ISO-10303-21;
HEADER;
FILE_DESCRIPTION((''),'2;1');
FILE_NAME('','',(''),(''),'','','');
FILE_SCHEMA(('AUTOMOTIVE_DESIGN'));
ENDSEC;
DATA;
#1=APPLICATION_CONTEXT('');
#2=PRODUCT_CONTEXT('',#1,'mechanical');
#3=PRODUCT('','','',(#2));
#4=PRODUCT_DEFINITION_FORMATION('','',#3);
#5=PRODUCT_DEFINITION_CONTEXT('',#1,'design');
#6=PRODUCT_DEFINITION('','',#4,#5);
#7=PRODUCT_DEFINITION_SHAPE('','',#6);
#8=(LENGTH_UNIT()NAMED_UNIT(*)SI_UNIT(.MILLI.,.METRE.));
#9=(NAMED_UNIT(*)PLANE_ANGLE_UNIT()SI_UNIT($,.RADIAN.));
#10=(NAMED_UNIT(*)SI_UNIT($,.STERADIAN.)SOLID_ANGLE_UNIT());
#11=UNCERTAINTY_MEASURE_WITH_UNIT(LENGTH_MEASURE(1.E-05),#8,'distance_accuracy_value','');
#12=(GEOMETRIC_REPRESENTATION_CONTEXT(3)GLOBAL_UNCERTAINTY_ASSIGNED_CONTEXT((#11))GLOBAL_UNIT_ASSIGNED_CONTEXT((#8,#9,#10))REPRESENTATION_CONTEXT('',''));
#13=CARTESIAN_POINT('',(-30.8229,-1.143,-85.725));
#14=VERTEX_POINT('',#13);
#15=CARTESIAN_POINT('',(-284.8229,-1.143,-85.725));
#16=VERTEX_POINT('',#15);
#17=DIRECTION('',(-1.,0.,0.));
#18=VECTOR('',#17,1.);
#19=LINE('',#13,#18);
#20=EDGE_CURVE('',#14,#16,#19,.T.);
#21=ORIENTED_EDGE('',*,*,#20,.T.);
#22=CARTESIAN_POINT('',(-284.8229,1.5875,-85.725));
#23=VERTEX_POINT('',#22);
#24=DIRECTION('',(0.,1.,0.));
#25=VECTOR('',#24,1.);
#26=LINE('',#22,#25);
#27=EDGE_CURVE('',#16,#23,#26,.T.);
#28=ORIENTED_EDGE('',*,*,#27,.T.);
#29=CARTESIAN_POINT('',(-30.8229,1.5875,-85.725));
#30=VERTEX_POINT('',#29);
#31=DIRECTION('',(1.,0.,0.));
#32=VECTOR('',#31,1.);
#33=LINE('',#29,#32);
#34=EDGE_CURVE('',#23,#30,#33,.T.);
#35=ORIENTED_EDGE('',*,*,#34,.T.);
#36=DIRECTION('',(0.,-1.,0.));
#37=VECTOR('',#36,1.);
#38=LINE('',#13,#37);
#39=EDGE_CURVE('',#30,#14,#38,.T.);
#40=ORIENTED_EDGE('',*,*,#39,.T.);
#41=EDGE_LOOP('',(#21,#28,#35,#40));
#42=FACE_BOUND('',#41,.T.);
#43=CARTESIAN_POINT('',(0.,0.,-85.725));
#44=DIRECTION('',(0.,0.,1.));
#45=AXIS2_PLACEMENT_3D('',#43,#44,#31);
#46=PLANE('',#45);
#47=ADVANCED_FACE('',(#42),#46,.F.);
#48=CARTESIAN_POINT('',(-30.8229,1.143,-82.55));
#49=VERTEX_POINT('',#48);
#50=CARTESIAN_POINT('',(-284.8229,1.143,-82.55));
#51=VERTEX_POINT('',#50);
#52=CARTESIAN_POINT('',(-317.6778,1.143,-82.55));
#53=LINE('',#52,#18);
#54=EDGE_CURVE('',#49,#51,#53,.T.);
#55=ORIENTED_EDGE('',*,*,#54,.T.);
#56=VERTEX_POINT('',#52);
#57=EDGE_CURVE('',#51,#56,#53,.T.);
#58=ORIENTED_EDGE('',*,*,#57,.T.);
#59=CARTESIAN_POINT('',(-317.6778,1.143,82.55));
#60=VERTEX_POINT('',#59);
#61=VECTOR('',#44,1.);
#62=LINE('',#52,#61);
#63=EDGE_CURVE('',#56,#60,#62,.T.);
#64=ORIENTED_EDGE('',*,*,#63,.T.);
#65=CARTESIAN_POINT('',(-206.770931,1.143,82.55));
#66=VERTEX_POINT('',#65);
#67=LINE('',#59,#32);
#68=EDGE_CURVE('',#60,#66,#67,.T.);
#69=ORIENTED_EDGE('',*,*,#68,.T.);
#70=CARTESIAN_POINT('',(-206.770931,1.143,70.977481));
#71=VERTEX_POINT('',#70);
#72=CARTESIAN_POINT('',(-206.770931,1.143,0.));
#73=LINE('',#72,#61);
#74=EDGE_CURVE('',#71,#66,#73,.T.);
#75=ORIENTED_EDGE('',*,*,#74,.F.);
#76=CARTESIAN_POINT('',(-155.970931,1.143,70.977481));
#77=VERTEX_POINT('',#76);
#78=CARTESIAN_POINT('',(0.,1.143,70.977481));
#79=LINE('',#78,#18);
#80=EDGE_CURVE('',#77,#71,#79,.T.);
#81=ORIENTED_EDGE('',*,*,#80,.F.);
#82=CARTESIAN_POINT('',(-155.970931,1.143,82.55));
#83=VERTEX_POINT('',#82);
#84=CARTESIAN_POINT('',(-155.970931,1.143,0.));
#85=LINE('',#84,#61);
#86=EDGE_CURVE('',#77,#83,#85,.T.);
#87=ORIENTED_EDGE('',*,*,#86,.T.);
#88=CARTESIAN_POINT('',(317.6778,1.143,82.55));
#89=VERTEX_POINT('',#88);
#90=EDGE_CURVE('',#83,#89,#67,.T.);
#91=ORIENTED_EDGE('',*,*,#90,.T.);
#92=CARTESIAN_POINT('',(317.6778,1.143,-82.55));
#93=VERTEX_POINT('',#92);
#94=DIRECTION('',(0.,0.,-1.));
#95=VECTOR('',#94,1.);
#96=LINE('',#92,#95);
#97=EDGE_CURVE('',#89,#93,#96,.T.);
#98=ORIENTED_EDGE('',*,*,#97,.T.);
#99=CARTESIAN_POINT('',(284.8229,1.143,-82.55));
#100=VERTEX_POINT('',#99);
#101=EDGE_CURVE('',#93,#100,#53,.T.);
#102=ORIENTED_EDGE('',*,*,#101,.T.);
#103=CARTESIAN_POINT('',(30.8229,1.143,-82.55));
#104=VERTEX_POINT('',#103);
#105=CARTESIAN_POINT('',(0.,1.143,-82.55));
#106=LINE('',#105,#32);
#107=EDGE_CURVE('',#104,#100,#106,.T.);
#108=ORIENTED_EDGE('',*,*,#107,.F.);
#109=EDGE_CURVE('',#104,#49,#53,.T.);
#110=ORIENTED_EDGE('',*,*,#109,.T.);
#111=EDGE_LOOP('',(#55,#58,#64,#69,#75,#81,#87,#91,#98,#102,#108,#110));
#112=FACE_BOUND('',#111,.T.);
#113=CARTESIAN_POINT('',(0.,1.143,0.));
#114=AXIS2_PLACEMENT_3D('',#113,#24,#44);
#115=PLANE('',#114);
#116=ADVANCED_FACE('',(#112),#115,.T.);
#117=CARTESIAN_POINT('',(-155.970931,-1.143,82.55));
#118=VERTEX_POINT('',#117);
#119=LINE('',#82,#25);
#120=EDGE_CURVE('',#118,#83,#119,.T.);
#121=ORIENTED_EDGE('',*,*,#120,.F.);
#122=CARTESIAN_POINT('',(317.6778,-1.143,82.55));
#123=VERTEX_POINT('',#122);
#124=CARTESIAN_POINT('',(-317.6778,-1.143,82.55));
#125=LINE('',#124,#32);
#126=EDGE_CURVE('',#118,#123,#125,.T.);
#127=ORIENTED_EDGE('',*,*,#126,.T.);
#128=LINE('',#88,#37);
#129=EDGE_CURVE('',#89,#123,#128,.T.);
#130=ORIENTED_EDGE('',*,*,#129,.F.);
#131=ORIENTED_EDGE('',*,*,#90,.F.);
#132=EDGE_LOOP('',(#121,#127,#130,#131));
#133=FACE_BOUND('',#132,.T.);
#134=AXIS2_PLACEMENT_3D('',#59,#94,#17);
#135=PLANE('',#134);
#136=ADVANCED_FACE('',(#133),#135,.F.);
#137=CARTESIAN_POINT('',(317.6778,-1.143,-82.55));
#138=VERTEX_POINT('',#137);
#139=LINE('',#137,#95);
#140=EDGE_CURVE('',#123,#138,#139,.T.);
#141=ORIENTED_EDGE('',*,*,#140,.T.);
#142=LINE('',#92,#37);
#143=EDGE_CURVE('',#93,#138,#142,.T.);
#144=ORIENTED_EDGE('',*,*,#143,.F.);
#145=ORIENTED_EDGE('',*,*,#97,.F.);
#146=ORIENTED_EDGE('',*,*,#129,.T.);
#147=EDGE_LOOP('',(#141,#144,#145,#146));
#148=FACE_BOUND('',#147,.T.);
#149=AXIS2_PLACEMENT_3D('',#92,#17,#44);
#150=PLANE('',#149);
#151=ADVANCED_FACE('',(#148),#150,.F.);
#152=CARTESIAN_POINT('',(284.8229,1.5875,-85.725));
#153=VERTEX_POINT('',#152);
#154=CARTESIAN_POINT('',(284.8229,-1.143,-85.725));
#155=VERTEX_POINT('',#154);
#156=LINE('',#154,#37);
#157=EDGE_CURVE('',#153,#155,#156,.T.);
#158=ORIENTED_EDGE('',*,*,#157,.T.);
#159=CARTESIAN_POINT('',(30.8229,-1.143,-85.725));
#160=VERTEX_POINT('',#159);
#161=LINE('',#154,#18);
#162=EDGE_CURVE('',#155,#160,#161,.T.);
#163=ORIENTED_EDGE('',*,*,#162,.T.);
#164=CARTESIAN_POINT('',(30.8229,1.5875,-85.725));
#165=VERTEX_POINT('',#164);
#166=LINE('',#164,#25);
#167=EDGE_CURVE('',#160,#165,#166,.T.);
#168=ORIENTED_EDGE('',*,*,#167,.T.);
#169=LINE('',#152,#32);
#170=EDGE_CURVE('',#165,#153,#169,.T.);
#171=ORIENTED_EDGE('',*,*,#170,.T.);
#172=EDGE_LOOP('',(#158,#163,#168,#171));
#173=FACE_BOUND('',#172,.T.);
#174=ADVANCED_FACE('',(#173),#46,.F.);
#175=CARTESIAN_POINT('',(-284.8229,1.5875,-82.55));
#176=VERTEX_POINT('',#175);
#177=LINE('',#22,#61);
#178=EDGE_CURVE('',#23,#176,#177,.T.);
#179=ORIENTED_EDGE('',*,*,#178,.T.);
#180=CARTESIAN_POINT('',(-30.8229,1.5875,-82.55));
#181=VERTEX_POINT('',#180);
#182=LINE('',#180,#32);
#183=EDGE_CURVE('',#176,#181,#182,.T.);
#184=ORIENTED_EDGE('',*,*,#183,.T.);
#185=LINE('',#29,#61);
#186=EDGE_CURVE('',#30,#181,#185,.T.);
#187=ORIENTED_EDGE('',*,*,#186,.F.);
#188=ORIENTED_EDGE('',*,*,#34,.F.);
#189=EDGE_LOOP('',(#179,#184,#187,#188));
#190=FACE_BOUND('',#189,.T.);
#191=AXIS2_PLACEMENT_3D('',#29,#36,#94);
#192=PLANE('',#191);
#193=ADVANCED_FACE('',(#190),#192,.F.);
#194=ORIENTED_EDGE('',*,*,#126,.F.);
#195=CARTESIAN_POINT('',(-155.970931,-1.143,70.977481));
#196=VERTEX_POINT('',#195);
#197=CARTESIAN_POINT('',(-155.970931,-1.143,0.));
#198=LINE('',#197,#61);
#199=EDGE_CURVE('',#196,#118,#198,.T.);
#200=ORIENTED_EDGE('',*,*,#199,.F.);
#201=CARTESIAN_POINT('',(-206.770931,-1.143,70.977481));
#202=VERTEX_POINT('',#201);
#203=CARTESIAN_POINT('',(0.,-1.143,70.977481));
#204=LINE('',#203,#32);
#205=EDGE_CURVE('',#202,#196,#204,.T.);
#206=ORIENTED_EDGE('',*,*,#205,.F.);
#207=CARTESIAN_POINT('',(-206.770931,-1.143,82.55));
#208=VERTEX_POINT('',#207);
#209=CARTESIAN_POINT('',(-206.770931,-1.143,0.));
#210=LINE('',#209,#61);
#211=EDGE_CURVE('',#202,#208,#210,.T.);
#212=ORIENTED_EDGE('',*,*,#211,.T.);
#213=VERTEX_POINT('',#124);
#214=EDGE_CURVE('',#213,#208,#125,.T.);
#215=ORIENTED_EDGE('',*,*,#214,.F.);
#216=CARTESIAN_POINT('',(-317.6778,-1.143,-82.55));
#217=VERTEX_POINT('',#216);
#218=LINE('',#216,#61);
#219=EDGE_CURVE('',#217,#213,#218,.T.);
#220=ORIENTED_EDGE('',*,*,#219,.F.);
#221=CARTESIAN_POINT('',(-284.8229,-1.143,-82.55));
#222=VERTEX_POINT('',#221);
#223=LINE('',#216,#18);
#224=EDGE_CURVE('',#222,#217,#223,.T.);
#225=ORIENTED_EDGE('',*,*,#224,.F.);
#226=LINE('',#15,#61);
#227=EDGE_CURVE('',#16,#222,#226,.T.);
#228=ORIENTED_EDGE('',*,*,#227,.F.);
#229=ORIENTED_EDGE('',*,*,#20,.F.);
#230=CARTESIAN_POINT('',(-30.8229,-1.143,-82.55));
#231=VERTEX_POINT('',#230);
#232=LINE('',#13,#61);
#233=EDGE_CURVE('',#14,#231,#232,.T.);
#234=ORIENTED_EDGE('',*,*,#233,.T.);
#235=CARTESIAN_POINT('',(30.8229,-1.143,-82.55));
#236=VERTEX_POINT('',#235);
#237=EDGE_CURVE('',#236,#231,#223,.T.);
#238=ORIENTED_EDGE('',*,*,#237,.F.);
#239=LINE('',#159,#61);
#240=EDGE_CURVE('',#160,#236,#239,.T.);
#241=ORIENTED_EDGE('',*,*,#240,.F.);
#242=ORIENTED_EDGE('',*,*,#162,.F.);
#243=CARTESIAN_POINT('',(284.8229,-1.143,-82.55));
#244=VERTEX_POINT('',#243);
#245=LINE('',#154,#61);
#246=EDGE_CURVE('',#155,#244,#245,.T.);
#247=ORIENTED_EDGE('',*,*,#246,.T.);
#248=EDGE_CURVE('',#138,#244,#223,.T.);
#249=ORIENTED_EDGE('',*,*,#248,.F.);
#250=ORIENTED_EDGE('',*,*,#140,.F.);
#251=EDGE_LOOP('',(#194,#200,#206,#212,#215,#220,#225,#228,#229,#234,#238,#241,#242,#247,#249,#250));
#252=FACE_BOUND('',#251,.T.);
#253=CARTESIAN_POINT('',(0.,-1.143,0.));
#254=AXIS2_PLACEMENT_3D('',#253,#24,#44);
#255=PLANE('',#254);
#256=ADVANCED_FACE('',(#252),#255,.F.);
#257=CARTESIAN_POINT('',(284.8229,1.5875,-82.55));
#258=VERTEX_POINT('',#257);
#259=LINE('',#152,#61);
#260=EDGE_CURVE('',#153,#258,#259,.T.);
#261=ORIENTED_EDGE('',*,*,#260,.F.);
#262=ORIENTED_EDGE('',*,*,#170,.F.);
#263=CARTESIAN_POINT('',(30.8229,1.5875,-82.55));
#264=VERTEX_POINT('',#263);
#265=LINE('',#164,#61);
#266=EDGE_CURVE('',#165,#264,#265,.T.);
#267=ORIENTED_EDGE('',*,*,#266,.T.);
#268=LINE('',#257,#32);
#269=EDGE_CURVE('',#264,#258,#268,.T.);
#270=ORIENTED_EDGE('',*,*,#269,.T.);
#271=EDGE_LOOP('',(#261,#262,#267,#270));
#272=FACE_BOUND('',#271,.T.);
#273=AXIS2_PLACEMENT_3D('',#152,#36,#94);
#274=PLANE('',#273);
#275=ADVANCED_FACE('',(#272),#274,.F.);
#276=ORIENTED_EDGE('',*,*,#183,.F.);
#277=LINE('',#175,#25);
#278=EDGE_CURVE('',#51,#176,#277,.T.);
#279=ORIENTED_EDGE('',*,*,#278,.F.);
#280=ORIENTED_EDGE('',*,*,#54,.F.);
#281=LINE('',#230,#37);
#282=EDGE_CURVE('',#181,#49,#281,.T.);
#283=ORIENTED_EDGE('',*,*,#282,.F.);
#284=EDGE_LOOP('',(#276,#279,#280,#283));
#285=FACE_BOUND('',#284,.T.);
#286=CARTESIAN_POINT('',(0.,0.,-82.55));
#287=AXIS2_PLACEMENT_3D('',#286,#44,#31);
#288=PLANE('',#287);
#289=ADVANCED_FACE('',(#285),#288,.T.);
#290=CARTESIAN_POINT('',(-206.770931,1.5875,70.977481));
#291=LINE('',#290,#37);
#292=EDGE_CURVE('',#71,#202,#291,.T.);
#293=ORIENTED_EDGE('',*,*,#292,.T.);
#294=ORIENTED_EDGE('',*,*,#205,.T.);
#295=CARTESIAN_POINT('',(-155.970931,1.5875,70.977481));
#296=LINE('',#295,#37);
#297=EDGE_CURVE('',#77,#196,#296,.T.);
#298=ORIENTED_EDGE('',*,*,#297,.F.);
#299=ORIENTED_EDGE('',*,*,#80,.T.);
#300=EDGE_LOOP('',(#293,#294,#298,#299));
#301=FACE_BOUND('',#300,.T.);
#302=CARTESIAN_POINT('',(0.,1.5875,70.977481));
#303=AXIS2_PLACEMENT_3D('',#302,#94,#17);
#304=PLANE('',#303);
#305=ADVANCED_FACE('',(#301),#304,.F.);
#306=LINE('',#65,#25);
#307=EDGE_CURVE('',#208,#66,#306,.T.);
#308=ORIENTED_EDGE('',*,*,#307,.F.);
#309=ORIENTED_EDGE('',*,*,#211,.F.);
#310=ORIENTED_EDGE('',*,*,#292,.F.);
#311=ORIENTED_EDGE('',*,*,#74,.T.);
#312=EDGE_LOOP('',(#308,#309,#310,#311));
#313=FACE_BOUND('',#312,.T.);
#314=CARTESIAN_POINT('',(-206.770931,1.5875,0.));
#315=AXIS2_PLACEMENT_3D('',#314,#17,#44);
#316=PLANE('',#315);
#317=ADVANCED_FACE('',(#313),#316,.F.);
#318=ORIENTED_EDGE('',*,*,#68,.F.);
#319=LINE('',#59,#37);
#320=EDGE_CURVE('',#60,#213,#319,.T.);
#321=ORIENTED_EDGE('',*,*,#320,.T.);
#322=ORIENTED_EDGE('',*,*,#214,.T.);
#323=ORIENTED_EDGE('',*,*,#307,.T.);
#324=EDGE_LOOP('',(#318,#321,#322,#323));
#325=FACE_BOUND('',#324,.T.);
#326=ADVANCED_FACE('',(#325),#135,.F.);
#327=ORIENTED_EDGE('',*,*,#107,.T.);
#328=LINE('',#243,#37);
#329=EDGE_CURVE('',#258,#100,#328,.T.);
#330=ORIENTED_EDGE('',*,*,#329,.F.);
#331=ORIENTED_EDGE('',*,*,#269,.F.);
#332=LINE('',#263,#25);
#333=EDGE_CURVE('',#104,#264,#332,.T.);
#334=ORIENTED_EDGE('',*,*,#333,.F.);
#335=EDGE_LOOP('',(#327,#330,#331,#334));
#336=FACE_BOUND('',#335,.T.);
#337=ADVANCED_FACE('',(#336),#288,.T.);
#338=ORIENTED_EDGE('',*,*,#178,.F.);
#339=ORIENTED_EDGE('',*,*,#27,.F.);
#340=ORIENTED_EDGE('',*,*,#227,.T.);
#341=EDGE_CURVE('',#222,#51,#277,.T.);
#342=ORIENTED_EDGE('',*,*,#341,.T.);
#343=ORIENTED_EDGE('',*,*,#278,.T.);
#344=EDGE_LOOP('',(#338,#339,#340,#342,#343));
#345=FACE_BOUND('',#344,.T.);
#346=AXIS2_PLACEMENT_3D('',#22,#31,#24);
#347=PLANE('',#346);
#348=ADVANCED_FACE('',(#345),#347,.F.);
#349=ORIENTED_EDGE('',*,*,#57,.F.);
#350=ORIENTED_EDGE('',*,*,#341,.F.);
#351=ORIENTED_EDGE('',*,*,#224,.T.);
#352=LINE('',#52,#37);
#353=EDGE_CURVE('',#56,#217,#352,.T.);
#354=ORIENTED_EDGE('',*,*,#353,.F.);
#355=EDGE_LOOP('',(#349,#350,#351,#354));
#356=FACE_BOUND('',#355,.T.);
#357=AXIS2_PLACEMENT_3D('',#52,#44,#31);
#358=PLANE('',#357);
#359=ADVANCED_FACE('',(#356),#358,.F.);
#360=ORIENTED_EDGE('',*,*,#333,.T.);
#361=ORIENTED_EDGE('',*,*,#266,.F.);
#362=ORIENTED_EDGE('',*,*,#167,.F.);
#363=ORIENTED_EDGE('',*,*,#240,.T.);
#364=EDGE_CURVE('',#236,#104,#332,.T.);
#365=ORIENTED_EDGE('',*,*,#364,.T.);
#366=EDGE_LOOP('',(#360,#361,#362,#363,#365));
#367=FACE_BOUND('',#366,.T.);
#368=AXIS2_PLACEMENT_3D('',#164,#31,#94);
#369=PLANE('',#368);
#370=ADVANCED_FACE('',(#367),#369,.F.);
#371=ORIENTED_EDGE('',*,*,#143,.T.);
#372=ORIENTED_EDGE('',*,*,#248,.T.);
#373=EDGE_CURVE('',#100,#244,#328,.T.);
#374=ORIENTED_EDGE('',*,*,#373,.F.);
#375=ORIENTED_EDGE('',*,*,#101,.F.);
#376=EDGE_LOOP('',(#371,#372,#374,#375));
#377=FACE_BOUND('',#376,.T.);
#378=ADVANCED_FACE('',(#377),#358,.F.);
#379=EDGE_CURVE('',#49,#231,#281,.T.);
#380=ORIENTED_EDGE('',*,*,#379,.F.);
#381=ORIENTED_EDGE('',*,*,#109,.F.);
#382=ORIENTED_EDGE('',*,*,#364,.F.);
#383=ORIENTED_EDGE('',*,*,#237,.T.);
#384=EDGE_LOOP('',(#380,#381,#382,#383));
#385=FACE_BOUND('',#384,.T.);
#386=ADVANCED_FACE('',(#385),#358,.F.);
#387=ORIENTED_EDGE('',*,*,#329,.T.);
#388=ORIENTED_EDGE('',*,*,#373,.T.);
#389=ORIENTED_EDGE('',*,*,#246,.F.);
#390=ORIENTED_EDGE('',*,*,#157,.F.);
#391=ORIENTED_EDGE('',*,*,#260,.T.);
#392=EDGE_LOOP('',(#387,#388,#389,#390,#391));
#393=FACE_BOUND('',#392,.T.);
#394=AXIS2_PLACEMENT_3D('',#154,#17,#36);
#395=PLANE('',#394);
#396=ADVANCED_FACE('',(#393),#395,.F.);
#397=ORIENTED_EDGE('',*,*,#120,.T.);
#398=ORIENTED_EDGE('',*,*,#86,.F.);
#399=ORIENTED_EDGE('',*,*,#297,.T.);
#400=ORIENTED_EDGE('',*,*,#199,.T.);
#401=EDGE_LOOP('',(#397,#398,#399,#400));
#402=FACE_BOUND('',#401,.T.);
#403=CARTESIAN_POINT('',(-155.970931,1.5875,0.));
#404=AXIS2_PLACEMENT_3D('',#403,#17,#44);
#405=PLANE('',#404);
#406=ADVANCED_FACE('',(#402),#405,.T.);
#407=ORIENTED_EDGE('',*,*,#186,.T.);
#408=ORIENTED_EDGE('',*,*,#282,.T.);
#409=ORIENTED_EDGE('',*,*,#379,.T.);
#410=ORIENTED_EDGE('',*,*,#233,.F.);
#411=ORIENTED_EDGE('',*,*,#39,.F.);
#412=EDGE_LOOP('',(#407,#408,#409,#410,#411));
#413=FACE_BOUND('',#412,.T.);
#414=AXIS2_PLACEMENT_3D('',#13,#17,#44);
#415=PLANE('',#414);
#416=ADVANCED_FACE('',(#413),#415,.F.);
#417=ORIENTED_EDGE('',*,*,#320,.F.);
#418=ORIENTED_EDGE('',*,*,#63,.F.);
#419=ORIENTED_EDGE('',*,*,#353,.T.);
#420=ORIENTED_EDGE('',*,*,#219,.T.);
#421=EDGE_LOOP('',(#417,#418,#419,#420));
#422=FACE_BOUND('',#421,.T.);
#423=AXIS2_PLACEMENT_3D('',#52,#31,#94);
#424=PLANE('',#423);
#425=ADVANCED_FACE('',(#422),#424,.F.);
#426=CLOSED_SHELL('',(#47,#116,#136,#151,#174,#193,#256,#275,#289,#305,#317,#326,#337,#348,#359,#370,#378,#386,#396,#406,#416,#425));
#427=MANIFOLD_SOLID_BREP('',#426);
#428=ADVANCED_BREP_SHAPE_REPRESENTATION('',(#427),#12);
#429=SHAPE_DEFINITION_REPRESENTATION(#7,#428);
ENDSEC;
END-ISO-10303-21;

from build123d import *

# Parameters (mm, degrees)
SKETCH1_W           = 635.3556
SKETCH1_H           = 165.1
BOSS_EXTRUDE1_DEPTH = 1.143
SKETCH2_W           = 254
SKETCH2_H           = 2.7305
BOSS_EXTRUDE2_DEPTH = 3.175
SKETCH3_W           = 50.8
SKETCH3_H           = 11.194977228
SKETCH3_H_2         = 11.572519195
CUT_EXTRUDE1_DEPTH  = 330.052299594


with BuildPart() as part:
    # Sketch1 → Boss-Extrude1 (new, symmetric)
    with BuildSketch(Plane(origin=(0, 0, 0), x_dir=(1, 0, 0), z_dir=(0, 1, 0))):
        Rectangle(SKETCH1_W, SKETCH1_H)
    extrude(amount=BOSS_EXTRUDE1_DEPTH, both=True)

    # Sketch2 → Boss-Extrude2 (add)
    with BuildSketch(Plane(origin=(0, 0, -82.55), x_dir=(-1, 0, 0), z_dir=(0, 0, -1))):
        with Locations((-157.8229, 0.22225)):
            Rectangle(SKETCH2_W, SKETCH2_H)
        with Locations((157.8229, 0.22225)):
            Rectangle(SKETCH2_W, SKETCH2_H)
    extrude(amount=BOSS_EXTRUDE2_DEPTH)

    # Sketch3 → Cut-Extrude1 (cut, through all)
    with BuildSketch(Plane.XZ.offset(1.143)):
        with Locations((-181.370930865, 88.147488614)):
            Rectangle(SKETCH3_W, SKETCH3_H)
        with Locations((-181.370930865, 76.763740403)):
            Rectangle(SKETCH3_W, SKETCH3_H_2)
    extrude(amount=-CUT_EXTRUDE1_DEPTH, mode=Mode.SUBTRACT)


solid = part.part
